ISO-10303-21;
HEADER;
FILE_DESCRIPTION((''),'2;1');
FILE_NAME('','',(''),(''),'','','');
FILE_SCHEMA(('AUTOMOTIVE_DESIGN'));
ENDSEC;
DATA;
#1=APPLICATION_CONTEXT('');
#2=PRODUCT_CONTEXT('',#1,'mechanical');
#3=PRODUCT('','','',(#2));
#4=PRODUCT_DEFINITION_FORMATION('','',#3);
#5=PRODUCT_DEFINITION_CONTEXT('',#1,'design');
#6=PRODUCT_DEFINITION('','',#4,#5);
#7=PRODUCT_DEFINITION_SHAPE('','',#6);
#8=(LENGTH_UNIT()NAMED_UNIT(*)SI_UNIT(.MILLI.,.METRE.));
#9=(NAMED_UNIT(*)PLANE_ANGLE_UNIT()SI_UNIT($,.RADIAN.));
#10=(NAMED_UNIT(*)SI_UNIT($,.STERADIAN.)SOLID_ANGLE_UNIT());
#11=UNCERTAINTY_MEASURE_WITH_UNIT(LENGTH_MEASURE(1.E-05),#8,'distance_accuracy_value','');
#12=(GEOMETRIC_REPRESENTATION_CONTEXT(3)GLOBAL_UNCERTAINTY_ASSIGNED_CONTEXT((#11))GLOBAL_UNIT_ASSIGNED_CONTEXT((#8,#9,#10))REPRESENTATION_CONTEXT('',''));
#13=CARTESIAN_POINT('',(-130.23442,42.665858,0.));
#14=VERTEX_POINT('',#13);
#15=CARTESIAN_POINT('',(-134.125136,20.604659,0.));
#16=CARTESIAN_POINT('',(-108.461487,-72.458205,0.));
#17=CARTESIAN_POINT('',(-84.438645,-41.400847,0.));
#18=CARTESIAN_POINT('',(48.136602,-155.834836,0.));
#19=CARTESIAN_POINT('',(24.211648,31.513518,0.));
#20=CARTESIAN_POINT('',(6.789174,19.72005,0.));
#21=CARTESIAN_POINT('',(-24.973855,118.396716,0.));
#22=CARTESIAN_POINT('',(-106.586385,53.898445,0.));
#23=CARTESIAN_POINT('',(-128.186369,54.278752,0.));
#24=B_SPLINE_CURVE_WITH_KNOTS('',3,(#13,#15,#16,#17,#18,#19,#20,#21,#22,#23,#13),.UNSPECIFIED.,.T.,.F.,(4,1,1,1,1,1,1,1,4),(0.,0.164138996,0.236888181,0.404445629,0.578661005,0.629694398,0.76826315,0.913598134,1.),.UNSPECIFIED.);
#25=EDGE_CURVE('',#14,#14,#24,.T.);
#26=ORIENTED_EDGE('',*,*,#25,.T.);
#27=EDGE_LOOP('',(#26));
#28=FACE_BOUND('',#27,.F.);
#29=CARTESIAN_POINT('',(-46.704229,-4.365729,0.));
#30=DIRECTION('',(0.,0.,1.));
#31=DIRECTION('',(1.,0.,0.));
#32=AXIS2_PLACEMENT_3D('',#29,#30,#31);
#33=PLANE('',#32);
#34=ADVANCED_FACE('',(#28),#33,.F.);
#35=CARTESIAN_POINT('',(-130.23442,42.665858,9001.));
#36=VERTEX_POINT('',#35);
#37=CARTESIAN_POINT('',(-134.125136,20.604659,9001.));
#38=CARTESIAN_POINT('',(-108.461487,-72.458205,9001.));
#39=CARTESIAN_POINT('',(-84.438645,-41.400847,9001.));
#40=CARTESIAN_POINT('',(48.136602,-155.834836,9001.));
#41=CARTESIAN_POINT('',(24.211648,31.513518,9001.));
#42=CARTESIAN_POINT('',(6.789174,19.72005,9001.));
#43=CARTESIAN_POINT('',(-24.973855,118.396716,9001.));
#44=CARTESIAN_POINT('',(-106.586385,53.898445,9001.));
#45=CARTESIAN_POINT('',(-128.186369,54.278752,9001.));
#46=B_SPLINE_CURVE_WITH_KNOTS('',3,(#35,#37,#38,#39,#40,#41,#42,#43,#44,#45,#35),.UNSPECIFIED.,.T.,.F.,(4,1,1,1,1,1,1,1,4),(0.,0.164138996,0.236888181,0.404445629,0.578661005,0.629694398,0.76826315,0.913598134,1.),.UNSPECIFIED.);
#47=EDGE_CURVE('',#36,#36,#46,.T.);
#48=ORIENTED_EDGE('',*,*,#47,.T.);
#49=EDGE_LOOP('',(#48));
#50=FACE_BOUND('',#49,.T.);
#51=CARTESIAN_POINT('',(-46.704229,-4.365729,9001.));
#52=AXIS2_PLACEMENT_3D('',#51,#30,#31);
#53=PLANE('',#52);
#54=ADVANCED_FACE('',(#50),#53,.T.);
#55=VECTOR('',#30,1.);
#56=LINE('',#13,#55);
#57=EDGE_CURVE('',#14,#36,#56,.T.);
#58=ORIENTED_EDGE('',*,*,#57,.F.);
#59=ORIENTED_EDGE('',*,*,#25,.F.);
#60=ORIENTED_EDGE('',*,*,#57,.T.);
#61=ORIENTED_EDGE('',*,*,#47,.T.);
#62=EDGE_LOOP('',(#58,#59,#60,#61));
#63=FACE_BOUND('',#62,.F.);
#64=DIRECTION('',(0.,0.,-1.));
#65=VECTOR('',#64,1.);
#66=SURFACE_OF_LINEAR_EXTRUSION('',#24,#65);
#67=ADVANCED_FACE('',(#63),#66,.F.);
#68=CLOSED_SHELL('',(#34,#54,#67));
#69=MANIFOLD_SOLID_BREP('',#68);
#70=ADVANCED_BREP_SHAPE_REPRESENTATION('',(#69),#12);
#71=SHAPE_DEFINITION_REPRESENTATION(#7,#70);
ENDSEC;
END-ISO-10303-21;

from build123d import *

# Parameters (mm, degrees)
F1_DEPTH = 105
F3_DEPTH = 9001


with BuildPart() as f1:
    # F0 (on Top) → F1 (new body)
    with BuildSketch(Plane.XY):
        Polygon((-12.2279357165, -7.927166298), (-105.9852614999, -7.927166298), (-84.7169283104, -45.0846095282), (-18.8579354435, -54.4668249786), align=None)
    extrude(amount=F1_DEPTH)

    # F2 (on Top) → F3 (join)
    with BuildSketch(Plane.XY):
        with BuildLine():
            add(Edge.make_bspline(
                [(-130.2344202995, 42.6658578217), (-134.1251364927, 20.6046592162), (-108.4614870832, -72.4582053353), (-84.4386446622, -41.4008469967), (48.1366020898, -155.8348358214), (24.2116478328, 31.5135179695), (6.7891744602, 19.7200495981), (-24.9738553619, 118.3967160277), (-106.5863851271, 53.8984454735), (-128.1863686623, 54.2787516127), (-130.2344202995, 42.6658578217)],
                knots=[0, 0, 0, 0, 0.1641389963, 0.2368881808, 0.4044456287, 0.5786610048, 0.6296943978, 0.7682631503, 0.9135981338, 1, 1, 1, 1], degree=3))
        make_face()
    extrude(amount=F3_DEPTH)


solid = f1.part
